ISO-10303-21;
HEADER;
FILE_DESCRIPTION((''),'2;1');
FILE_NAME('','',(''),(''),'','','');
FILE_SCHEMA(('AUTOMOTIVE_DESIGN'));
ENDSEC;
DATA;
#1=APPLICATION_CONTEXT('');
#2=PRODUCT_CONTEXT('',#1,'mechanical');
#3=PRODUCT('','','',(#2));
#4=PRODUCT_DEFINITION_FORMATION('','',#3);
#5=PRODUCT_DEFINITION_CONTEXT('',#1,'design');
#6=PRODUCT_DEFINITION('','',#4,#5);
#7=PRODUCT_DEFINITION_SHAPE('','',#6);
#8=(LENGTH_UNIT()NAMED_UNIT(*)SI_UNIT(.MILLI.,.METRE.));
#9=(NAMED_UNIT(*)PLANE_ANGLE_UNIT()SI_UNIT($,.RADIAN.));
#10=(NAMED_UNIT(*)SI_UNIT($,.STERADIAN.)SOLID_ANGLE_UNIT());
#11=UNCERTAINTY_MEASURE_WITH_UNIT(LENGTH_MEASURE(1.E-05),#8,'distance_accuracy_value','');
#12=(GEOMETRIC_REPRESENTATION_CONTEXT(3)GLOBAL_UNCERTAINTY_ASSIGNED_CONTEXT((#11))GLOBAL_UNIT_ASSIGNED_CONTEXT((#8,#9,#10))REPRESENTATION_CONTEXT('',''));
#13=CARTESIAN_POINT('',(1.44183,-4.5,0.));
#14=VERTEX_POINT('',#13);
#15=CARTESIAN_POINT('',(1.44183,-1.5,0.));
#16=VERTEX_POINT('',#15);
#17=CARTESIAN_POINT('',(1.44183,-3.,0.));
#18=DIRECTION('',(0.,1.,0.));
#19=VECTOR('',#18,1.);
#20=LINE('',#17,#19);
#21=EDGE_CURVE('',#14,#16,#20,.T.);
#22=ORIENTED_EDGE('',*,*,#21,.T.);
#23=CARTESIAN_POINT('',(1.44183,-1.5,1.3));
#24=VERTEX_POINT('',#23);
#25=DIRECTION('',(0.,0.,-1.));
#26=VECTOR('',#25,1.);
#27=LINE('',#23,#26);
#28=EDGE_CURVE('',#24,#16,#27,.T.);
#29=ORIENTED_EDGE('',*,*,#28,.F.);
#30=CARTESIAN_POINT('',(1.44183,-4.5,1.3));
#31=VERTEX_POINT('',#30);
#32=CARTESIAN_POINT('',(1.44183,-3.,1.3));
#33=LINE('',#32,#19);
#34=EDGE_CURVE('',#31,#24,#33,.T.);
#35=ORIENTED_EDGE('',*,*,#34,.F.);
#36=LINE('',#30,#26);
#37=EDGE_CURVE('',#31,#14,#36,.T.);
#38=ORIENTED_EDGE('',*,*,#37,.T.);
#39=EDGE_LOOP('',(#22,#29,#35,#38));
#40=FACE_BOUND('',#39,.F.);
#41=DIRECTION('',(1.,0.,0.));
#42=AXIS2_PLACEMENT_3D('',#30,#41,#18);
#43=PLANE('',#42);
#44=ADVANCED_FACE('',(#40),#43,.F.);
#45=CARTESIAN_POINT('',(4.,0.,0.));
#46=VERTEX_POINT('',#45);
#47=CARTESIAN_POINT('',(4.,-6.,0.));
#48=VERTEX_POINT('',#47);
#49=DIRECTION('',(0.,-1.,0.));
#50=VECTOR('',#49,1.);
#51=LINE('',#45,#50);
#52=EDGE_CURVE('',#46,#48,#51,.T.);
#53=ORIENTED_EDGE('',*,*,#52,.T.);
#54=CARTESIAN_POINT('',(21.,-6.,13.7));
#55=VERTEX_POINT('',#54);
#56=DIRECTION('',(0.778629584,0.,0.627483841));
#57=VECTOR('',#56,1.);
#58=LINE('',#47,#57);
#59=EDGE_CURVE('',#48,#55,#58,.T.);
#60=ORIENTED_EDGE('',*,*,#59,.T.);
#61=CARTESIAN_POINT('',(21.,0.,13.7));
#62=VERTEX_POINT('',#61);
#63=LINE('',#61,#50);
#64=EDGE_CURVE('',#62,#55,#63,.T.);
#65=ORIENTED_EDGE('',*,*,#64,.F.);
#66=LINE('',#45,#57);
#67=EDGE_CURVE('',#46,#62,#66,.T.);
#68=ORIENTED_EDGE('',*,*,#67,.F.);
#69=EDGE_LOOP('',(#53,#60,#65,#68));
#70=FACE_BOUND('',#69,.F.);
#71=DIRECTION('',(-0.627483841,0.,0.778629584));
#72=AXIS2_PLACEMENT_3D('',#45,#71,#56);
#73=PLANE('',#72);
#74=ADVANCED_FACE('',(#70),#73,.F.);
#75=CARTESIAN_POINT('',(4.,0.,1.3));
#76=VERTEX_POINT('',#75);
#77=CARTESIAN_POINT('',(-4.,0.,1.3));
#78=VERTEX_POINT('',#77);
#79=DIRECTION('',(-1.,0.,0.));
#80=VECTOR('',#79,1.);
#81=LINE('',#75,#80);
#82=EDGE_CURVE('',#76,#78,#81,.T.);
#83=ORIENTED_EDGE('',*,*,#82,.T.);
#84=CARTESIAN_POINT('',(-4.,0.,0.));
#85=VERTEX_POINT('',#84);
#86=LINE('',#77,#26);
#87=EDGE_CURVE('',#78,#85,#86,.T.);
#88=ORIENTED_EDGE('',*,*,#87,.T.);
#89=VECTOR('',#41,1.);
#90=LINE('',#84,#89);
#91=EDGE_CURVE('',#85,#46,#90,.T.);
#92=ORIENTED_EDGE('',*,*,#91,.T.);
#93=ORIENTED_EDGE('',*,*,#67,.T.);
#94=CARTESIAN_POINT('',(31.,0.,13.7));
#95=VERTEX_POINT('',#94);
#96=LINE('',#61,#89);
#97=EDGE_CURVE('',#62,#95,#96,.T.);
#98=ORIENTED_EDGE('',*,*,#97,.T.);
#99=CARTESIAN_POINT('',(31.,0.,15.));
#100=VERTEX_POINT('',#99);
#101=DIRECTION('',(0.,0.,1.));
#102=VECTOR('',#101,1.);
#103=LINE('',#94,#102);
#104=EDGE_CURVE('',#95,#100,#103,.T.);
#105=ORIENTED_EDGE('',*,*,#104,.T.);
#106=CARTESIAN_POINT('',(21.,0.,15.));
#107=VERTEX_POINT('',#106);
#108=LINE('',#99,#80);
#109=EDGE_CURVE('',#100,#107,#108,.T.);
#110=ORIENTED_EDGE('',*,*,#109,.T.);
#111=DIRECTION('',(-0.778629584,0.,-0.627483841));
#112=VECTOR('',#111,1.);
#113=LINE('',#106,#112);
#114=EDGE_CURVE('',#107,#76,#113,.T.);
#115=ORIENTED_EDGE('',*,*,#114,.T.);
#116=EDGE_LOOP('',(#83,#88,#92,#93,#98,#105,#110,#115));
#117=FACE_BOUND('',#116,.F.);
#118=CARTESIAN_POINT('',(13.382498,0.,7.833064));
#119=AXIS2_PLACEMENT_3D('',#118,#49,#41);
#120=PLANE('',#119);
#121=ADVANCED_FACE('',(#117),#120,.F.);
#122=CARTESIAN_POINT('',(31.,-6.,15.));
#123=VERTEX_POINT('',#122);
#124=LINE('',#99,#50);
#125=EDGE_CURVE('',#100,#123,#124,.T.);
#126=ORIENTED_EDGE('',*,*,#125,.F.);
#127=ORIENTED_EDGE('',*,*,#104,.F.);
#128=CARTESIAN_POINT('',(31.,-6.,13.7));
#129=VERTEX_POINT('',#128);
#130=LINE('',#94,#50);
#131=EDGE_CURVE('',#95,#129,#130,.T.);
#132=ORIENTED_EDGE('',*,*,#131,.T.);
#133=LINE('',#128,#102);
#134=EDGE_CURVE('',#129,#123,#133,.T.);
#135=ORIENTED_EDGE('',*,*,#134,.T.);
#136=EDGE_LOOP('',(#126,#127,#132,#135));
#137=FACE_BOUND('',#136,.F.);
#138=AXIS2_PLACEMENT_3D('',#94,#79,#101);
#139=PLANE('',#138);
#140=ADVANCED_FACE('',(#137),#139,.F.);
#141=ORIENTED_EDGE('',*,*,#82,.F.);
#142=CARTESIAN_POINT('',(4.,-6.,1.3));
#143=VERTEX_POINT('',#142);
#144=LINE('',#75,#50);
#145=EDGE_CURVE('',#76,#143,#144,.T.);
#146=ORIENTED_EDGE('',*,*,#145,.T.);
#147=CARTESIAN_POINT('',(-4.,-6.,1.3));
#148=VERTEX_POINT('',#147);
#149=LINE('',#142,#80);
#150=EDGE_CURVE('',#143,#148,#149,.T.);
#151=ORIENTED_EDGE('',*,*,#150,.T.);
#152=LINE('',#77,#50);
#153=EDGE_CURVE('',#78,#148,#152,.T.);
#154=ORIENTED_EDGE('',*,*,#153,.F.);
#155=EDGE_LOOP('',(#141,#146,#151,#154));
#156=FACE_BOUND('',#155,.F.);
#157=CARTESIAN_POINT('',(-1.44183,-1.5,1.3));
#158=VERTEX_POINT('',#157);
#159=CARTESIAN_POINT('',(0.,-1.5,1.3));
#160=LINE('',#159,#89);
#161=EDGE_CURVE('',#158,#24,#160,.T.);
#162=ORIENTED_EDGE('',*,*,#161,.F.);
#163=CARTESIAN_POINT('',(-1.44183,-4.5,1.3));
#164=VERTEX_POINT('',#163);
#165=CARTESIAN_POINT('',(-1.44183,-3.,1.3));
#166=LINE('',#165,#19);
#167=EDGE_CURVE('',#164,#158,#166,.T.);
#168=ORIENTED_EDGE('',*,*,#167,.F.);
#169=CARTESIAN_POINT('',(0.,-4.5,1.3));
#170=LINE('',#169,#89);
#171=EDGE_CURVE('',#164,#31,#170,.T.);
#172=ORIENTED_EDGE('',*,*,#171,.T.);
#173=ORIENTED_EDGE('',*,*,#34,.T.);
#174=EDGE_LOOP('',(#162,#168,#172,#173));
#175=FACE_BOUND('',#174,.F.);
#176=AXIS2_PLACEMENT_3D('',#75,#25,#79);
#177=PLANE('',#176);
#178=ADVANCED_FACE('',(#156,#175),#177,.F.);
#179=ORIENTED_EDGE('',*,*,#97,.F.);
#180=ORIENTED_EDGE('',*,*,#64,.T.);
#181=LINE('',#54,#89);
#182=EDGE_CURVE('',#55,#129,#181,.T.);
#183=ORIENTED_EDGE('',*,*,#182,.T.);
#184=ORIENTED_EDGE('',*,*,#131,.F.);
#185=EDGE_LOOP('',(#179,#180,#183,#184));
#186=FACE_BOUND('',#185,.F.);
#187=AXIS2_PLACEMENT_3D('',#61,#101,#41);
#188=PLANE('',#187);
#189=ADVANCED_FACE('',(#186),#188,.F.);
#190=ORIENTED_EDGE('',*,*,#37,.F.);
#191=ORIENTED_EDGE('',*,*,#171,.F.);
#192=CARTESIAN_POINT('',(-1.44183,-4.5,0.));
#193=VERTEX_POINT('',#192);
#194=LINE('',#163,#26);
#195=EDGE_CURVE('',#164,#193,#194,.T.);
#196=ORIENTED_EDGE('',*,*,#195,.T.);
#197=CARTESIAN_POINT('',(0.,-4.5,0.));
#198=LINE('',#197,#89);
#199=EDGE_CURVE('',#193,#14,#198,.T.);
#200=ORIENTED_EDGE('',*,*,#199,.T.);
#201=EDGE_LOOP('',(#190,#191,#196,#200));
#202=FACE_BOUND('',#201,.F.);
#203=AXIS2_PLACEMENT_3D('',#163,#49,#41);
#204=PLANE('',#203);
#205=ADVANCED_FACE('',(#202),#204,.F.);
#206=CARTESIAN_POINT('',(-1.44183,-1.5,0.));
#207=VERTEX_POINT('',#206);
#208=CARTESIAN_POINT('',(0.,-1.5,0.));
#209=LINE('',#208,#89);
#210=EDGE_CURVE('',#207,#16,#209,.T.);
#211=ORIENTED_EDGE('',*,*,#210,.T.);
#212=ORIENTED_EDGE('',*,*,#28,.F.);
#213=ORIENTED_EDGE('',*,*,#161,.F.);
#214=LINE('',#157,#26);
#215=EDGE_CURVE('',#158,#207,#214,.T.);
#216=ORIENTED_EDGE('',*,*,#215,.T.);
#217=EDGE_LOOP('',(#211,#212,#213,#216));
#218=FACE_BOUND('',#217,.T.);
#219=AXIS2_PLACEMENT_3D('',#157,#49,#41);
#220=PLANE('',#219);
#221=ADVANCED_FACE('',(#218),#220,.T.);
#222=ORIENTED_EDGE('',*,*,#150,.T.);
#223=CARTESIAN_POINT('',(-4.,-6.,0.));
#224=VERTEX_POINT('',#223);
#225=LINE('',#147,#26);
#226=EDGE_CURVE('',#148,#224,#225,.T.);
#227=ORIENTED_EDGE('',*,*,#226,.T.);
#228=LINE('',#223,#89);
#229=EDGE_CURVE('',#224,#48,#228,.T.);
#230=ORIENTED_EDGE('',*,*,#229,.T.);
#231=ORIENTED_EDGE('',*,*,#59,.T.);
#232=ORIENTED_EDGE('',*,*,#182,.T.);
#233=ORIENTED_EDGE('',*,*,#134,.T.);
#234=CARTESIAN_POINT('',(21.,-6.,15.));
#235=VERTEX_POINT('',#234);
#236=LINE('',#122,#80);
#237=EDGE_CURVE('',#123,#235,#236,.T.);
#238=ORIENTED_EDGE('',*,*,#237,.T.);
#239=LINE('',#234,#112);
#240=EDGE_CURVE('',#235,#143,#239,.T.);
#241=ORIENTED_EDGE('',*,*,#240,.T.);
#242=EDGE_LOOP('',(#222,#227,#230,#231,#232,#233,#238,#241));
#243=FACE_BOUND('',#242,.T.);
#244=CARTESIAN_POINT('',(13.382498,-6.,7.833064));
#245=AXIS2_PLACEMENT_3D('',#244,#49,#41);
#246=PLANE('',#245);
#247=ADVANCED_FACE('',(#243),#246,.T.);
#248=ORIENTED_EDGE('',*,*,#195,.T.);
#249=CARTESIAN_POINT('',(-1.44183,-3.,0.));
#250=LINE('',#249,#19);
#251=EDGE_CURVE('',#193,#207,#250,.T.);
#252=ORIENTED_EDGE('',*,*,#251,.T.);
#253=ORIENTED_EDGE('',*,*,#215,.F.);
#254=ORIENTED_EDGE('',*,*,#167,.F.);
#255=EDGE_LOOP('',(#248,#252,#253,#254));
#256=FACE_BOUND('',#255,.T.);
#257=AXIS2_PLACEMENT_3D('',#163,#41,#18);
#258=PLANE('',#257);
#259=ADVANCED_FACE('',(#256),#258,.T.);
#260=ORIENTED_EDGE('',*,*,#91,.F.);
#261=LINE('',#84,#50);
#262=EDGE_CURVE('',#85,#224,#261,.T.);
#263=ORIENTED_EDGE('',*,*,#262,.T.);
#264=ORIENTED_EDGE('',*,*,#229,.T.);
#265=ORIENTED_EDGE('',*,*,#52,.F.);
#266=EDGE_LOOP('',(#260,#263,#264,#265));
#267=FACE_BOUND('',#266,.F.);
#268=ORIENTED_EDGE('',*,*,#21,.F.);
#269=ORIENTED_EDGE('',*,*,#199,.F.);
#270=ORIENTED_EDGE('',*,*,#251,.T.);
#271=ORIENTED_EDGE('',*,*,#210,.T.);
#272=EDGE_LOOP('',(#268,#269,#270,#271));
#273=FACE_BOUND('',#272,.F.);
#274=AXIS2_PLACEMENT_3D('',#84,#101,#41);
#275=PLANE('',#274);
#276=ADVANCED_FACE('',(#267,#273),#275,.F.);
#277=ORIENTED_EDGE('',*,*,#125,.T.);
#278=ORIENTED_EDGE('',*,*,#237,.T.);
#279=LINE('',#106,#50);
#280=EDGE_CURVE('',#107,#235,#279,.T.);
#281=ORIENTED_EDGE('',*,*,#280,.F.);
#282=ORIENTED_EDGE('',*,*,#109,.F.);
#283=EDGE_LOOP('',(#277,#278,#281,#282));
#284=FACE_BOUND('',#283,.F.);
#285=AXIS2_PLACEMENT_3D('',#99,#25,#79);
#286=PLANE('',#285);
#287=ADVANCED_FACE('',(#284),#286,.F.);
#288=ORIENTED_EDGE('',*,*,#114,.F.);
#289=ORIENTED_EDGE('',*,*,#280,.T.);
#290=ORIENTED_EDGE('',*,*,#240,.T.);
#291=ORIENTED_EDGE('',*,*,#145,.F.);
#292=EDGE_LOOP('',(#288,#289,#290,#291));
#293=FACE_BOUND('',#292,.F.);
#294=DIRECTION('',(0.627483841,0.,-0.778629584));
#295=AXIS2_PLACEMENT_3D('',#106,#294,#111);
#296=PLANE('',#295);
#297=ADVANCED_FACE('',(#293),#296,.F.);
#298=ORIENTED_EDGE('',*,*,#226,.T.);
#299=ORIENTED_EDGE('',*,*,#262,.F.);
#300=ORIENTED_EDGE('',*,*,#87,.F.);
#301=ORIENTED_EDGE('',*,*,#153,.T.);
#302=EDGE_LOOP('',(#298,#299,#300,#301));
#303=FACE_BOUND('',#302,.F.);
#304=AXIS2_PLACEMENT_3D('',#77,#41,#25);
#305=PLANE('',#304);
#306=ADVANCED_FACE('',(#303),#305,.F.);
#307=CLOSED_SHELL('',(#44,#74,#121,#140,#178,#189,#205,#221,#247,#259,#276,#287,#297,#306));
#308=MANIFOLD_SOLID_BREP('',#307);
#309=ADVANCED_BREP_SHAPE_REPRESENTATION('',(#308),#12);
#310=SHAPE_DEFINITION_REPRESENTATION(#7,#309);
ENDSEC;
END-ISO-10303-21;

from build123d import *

# Parameters (mm, degrees)
F1_DEPTH = 6
F2_W     = 2.88366
F2_H     = 3
F3_DEPTH = 1.3


with BuildPart() as f1:
    # F0 (on Front) → F1 (new body)
    with BuildSketch(Plane.XZ):
        Polygon((-4, 1.3), (-4, 0), (4, 0), (21, 13.7), (31, 13.7), (31, 15), (21, 15), (4, 1.3), (0, 1.3), align=None)
    extrude(amount=F1_DEPTH)

    # F2 (on face) → F3 (cut)
    with BuildSketch(Plane.XY.offset(1.3)):
        with Locations((0, -3)):
            Rectangle(F2_W, F2_H)
    extrude(amount=-F3_DEPTH, mode=Mode.SUBTRACT)


solid = f1.part
